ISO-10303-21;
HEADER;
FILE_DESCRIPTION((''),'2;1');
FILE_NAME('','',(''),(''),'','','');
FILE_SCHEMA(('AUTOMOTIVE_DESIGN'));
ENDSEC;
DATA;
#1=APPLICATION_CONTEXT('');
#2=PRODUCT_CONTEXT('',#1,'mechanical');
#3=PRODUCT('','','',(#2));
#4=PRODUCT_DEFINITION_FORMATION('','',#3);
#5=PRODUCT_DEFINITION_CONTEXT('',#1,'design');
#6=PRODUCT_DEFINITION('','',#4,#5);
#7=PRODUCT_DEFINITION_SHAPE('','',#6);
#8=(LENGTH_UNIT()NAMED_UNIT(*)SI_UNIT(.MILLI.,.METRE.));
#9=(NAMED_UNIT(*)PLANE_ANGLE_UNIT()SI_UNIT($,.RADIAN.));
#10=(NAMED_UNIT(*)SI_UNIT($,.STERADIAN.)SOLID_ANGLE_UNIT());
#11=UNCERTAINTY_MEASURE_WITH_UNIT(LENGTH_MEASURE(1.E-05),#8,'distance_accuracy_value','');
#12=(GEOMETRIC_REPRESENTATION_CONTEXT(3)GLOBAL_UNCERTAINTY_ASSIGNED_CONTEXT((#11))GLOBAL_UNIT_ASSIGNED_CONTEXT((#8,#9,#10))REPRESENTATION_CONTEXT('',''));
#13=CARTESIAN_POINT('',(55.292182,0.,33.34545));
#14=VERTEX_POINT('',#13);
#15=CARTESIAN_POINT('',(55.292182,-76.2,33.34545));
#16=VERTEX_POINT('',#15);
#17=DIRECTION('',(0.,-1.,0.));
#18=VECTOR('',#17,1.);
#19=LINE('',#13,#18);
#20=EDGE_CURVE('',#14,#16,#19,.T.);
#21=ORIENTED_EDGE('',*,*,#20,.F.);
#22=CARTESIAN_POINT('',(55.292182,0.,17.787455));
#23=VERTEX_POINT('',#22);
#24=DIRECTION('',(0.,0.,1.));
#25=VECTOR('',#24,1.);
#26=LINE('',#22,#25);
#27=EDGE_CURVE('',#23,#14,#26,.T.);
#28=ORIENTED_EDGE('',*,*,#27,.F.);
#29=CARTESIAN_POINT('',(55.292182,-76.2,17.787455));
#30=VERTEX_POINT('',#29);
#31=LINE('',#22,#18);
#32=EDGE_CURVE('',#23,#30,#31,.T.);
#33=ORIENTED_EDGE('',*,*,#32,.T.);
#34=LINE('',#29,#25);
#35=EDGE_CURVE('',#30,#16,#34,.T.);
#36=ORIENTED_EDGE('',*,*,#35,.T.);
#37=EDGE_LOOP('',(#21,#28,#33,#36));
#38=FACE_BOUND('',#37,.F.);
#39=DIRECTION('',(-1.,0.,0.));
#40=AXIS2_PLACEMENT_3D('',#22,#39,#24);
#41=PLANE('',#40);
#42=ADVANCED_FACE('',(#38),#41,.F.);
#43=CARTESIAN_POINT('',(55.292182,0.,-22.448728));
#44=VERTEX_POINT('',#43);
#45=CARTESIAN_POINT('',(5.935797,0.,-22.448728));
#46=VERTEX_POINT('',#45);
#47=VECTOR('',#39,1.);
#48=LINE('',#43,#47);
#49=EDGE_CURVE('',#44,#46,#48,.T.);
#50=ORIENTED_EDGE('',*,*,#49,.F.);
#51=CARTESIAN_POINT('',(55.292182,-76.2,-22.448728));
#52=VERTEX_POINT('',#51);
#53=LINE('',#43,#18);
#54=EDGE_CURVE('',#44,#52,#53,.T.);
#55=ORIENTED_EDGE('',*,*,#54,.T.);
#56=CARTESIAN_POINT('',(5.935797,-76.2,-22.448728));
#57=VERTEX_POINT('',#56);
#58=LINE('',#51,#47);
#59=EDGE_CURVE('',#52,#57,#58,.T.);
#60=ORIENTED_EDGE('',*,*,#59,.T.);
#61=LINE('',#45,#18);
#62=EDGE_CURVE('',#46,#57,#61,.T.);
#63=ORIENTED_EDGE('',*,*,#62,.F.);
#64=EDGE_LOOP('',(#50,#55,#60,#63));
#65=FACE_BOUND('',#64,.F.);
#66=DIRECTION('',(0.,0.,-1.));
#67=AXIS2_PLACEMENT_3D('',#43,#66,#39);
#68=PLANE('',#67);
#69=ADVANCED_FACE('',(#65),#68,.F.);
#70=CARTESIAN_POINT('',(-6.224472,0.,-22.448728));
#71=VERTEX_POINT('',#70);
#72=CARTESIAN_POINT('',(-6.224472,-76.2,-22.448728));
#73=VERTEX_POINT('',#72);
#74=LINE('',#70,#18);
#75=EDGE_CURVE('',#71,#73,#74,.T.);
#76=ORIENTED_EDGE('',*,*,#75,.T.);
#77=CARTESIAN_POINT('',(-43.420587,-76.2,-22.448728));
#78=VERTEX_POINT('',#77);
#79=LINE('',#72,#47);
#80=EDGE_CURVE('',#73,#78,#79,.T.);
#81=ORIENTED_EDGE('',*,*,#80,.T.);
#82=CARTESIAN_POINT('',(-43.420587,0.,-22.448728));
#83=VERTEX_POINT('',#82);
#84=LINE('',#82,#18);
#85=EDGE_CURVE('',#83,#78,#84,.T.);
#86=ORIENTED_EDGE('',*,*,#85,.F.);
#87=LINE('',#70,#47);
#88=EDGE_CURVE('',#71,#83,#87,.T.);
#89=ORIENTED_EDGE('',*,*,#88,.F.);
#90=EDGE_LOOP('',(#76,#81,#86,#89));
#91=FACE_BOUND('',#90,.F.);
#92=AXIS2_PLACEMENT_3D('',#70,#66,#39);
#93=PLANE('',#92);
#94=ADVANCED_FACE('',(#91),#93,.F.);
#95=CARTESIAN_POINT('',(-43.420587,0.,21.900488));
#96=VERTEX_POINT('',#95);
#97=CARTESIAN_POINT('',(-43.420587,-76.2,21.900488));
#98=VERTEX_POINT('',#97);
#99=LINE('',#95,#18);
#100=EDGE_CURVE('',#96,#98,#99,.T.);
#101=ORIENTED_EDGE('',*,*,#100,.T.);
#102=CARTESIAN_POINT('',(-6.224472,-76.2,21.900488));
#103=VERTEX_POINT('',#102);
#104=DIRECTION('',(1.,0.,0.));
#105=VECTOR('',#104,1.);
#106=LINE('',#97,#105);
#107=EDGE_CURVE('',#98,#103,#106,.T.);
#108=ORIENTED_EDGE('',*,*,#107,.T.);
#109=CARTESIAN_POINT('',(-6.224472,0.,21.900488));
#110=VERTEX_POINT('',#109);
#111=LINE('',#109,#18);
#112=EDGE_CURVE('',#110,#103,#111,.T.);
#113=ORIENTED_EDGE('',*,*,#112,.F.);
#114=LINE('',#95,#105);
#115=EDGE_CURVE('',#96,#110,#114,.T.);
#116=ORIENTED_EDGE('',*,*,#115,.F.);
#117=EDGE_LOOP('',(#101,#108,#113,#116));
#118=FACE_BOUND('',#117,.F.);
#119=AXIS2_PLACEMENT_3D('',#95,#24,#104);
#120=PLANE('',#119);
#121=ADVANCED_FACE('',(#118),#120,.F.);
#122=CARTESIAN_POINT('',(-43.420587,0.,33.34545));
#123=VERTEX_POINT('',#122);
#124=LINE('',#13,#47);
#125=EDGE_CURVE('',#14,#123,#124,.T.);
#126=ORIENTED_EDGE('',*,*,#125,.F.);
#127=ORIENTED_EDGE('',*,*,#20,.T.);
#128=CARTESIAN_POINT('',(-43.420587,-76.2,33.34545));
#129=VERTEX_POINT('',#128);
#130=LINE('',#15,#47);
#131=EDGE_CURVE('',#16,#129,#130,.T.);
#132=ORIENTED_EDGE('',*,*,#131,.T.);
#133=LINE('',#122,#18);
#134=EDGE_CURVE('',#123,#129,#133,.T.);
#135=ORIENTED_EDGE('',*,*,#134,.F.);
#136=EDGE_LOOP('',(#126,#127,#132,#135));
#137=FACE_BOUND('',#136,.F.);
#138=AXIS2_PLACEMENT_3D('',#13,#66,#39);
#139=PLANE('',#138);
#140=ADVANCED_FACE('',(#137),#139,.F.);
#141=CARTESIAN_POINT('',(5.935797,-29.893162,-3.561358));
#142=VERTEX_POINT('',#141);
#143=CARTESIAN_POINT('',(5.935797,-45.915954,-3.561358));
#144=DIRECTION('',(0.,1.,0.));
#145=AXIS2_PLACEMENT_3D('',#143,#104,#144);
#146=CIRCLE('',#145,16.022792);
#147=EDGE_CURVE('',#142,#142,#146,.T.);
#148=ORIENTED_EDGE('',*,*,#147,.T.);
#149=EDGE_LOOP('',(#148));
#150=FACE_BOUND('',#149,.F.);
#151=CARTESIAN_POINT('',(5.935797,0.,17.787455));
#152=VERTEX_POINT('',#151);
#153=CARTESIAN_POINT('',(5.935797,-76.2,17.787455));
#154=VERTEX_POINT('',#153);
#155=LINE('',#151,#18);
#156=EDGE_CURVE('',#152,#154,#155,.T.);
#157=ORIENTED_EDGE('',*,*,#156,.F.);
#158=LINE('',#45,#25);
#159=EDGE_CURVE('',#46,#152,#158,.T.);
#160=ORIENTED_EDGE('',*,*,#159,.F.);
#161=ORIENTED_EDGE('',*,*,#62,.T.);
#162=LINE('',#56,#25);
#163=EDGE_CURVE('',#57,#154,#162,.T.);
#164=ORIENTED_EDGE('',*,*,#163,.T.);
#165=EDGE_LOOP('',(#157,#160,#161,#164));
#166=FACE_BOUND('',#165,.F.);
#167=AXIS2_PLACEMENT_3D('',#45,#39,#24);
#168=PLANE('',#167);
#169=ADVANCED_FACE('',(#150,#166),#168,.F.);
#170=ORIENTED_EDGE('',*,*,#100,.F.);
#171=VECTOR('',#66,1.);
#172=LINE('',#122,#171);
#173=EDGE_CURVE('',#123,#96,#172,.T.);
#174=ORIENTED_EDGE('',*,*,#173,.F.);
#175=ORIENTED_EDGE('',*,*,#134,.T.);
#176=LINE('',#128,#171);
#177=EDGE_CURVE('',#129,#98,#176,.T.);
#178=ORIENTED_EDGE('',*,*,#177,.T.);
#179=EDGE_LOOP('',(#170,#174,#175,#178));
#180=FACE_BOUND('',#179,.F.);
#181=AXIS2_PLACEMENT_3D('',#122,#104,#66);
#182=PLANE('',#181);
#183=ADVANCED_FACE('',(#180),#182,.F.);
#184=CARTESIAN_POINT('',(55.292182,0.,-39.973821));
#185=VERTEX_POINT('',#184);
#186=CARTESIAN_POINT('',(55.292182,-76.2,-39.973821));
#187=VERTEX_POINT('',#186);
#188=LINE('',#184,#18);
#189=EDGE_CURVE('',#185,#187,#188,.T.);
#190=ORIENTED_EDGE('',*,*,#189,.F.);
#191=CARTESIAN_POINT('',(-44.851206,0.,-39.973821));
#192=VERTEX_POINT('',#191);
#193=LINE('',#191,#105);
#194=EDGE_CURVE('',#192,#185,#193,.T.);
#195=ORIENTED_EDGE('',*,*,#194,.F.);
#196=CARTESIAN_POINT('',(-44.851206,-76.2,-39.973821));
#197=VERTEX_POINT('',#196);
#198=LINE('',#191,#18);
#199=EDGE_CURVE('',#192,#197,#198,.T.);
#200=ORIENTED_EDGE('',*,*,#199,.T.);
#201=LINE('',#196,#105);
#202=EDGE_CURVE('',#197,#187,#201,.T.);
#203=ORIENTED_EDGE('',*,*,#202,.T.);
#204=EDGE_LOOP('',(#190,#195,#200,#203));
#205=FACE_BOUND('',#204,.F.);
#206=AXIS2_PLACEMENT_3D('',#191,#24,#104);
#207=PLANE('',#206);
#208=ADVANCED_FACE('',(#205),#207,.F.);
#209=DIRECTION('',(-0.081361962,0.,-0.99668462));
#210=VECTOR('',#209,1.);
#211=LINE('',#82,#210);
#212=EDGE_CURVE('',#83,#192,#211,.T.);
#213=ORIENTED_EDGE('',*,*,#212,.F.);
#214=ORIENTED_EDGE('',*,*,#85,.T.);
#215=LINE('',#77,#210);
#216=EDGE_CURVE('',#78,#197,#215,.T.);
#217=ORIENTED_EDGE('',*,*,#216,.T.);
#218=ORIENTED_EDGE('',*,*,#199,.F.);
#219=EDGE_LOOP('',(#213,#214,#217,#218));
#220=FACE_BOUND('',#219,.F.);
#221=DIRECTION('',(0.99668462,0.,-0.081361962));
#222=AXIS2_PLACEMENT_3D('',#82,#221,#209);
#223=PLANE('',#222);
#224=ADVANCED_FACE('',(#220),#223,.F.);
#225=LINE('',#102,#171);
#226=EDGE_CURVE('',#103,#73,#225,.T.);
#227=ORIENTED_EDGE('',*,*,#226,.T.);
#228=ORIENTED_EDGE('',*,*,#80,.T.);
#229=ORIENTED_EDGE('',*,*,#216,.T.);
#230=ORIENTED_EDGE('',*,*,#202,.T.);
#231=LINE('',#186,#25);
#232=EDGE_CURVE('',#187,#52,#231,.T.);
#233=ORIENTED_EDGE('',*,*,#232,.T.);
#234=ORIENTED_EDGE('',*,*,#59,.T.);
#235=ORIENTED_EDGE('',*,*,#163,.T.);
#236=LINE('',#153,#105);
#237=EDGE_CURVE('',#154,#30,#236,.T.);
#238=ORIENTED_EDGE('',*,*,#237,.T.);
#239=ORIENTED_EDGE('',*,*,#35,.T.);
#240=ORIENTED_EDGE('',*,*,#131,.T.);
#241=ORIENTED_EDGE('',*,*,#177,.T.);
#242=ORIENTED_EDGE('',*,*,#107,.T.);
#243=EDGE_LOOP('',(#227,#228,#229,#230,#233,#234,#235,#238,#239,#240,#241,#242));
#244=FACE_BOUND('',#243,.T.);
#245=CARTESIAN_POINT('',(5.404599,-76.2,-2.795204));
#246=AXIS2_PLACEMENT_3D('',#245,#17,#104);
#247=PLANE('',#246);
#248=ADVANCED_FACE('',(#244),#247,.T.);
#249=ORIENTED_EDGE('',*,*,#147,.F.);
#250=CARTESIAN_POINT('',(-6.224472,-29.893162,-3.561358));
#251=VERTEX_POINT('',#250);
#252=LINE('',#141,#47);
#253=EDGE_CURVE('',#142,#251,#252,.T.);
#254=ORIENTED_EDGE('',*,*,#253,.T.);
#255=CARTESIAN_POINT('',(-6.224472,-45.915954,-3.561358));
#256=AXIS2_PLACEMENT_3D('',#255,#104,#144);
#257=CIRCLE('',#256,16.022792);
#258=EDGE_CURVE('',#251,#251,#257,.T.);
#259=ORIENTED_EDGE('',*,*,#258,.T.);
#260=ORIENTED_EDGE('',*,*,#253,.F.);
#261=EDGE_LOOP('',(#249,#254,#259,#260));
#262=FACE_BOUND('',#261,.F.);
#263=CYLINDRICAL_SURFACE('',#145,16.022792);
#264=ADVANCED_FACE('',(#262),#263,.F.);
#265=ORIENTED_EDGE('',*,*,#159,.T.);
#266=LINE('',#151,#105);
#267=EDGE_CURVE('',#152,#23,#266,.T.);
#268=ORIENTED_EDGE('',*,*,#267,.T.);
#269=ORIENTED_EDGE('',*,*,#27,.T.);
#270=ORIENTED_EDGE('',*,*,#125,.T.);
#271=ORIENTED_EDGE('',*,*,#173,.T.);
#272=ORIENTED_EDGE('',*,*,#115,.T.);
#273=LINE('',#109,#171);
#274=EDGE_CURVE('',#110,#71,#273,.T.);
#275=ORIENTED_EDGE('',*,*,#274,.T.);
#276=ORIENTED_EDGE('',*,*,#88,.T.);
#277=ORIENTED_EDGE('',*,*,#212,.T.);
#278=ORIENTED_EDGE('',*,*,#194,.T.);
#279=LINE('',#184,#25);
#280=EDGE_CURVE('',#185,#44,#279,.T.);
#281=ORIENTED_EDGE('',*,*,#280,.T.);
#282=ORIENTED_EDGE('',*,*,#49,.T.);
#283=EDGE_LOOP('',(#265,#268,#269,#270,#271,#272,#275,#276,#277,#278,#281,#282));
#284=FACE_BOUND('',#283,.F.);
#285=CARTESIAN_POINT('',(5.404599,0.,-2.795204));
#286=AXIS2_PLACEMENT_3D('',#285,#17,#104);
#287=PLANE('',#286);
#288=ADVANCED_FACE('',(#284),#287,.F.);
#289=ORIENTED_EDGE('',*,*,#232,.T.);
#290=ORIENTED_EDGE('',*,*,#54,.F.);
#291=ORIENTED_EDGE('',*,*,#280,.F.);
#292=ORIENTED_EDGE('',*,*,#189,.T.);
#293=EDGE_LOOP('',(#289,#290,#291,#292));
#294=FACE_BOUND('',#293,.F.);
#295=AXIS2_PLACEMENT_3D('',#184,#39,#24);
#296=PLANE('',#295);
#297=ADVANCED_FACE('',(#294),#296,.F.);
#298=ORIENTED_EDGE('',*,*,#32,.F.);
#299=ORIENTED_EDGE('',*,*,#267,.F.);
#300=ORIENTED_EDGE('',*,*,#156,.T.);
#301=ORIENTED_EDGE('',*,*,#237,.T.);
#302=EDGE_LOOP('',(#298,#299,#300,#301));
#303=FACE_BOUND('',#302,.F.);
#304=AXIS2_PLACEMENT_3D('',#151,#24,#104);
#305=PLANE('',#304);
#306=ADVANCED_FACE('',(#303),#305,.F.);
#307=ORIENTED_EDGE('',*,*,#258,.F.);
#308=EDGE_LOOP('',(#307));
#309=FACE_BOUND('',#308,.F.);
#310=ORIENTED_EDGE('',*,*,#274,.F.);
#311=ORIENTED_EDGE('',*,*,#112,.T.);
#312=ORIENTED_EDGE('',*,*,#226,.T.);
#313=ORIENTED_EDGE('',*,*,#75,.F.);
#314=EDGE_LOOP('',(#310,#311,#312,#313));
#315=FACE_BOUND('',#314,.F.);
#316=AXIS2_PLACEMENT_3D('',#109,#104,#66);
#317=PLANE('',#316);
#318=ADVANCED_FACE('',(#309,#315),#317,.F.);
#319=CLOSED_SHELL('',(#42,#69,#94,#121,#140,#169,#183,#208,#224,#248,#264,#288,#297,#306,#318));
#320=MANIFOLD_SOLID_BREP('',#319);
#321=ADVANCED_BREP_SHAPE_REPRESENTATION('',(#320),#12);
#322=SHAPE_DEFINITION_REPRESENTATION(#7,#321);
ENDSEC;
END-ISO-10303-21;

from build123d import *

# Parameters (mm, degrees)
F1_DEPTH = 76.2
F2_R     = 16.022792
F3_DEPTH = 76.2


with BuildPart() as f1:
    # F0 (on Front) → F1 (new body)
    with BuildSketch(Plane.XZ):
        Polygon((-43.420587, -22.448728), (-44.851206, -39.973821), (55.292182, -39.973821), (55.292182, -22.448728), (5.935797, -22.448728), (5.935797, 17.787455), (55.292182, 17.787455), (55.292182, 33.34545), (-35.015699, 33.34545), (-43.420587, 33.34545), (-43.420587, 21.900488), (-6.224472, 21.900488), (-6.224472, -22.448728), align=None)
    extrude(amount=F1_DEPTH)

    # F2 (on face) → F3 (cut)
    with BuildSketch(Plane.YZ.offset(5.935797)):
        with Locations((-45.915954, -3.561358)):
            Circle(F2_R)
    extrude(amount=-F3_DEPTH, mode=Mode.SUBTRACT)


solid = f1.part
